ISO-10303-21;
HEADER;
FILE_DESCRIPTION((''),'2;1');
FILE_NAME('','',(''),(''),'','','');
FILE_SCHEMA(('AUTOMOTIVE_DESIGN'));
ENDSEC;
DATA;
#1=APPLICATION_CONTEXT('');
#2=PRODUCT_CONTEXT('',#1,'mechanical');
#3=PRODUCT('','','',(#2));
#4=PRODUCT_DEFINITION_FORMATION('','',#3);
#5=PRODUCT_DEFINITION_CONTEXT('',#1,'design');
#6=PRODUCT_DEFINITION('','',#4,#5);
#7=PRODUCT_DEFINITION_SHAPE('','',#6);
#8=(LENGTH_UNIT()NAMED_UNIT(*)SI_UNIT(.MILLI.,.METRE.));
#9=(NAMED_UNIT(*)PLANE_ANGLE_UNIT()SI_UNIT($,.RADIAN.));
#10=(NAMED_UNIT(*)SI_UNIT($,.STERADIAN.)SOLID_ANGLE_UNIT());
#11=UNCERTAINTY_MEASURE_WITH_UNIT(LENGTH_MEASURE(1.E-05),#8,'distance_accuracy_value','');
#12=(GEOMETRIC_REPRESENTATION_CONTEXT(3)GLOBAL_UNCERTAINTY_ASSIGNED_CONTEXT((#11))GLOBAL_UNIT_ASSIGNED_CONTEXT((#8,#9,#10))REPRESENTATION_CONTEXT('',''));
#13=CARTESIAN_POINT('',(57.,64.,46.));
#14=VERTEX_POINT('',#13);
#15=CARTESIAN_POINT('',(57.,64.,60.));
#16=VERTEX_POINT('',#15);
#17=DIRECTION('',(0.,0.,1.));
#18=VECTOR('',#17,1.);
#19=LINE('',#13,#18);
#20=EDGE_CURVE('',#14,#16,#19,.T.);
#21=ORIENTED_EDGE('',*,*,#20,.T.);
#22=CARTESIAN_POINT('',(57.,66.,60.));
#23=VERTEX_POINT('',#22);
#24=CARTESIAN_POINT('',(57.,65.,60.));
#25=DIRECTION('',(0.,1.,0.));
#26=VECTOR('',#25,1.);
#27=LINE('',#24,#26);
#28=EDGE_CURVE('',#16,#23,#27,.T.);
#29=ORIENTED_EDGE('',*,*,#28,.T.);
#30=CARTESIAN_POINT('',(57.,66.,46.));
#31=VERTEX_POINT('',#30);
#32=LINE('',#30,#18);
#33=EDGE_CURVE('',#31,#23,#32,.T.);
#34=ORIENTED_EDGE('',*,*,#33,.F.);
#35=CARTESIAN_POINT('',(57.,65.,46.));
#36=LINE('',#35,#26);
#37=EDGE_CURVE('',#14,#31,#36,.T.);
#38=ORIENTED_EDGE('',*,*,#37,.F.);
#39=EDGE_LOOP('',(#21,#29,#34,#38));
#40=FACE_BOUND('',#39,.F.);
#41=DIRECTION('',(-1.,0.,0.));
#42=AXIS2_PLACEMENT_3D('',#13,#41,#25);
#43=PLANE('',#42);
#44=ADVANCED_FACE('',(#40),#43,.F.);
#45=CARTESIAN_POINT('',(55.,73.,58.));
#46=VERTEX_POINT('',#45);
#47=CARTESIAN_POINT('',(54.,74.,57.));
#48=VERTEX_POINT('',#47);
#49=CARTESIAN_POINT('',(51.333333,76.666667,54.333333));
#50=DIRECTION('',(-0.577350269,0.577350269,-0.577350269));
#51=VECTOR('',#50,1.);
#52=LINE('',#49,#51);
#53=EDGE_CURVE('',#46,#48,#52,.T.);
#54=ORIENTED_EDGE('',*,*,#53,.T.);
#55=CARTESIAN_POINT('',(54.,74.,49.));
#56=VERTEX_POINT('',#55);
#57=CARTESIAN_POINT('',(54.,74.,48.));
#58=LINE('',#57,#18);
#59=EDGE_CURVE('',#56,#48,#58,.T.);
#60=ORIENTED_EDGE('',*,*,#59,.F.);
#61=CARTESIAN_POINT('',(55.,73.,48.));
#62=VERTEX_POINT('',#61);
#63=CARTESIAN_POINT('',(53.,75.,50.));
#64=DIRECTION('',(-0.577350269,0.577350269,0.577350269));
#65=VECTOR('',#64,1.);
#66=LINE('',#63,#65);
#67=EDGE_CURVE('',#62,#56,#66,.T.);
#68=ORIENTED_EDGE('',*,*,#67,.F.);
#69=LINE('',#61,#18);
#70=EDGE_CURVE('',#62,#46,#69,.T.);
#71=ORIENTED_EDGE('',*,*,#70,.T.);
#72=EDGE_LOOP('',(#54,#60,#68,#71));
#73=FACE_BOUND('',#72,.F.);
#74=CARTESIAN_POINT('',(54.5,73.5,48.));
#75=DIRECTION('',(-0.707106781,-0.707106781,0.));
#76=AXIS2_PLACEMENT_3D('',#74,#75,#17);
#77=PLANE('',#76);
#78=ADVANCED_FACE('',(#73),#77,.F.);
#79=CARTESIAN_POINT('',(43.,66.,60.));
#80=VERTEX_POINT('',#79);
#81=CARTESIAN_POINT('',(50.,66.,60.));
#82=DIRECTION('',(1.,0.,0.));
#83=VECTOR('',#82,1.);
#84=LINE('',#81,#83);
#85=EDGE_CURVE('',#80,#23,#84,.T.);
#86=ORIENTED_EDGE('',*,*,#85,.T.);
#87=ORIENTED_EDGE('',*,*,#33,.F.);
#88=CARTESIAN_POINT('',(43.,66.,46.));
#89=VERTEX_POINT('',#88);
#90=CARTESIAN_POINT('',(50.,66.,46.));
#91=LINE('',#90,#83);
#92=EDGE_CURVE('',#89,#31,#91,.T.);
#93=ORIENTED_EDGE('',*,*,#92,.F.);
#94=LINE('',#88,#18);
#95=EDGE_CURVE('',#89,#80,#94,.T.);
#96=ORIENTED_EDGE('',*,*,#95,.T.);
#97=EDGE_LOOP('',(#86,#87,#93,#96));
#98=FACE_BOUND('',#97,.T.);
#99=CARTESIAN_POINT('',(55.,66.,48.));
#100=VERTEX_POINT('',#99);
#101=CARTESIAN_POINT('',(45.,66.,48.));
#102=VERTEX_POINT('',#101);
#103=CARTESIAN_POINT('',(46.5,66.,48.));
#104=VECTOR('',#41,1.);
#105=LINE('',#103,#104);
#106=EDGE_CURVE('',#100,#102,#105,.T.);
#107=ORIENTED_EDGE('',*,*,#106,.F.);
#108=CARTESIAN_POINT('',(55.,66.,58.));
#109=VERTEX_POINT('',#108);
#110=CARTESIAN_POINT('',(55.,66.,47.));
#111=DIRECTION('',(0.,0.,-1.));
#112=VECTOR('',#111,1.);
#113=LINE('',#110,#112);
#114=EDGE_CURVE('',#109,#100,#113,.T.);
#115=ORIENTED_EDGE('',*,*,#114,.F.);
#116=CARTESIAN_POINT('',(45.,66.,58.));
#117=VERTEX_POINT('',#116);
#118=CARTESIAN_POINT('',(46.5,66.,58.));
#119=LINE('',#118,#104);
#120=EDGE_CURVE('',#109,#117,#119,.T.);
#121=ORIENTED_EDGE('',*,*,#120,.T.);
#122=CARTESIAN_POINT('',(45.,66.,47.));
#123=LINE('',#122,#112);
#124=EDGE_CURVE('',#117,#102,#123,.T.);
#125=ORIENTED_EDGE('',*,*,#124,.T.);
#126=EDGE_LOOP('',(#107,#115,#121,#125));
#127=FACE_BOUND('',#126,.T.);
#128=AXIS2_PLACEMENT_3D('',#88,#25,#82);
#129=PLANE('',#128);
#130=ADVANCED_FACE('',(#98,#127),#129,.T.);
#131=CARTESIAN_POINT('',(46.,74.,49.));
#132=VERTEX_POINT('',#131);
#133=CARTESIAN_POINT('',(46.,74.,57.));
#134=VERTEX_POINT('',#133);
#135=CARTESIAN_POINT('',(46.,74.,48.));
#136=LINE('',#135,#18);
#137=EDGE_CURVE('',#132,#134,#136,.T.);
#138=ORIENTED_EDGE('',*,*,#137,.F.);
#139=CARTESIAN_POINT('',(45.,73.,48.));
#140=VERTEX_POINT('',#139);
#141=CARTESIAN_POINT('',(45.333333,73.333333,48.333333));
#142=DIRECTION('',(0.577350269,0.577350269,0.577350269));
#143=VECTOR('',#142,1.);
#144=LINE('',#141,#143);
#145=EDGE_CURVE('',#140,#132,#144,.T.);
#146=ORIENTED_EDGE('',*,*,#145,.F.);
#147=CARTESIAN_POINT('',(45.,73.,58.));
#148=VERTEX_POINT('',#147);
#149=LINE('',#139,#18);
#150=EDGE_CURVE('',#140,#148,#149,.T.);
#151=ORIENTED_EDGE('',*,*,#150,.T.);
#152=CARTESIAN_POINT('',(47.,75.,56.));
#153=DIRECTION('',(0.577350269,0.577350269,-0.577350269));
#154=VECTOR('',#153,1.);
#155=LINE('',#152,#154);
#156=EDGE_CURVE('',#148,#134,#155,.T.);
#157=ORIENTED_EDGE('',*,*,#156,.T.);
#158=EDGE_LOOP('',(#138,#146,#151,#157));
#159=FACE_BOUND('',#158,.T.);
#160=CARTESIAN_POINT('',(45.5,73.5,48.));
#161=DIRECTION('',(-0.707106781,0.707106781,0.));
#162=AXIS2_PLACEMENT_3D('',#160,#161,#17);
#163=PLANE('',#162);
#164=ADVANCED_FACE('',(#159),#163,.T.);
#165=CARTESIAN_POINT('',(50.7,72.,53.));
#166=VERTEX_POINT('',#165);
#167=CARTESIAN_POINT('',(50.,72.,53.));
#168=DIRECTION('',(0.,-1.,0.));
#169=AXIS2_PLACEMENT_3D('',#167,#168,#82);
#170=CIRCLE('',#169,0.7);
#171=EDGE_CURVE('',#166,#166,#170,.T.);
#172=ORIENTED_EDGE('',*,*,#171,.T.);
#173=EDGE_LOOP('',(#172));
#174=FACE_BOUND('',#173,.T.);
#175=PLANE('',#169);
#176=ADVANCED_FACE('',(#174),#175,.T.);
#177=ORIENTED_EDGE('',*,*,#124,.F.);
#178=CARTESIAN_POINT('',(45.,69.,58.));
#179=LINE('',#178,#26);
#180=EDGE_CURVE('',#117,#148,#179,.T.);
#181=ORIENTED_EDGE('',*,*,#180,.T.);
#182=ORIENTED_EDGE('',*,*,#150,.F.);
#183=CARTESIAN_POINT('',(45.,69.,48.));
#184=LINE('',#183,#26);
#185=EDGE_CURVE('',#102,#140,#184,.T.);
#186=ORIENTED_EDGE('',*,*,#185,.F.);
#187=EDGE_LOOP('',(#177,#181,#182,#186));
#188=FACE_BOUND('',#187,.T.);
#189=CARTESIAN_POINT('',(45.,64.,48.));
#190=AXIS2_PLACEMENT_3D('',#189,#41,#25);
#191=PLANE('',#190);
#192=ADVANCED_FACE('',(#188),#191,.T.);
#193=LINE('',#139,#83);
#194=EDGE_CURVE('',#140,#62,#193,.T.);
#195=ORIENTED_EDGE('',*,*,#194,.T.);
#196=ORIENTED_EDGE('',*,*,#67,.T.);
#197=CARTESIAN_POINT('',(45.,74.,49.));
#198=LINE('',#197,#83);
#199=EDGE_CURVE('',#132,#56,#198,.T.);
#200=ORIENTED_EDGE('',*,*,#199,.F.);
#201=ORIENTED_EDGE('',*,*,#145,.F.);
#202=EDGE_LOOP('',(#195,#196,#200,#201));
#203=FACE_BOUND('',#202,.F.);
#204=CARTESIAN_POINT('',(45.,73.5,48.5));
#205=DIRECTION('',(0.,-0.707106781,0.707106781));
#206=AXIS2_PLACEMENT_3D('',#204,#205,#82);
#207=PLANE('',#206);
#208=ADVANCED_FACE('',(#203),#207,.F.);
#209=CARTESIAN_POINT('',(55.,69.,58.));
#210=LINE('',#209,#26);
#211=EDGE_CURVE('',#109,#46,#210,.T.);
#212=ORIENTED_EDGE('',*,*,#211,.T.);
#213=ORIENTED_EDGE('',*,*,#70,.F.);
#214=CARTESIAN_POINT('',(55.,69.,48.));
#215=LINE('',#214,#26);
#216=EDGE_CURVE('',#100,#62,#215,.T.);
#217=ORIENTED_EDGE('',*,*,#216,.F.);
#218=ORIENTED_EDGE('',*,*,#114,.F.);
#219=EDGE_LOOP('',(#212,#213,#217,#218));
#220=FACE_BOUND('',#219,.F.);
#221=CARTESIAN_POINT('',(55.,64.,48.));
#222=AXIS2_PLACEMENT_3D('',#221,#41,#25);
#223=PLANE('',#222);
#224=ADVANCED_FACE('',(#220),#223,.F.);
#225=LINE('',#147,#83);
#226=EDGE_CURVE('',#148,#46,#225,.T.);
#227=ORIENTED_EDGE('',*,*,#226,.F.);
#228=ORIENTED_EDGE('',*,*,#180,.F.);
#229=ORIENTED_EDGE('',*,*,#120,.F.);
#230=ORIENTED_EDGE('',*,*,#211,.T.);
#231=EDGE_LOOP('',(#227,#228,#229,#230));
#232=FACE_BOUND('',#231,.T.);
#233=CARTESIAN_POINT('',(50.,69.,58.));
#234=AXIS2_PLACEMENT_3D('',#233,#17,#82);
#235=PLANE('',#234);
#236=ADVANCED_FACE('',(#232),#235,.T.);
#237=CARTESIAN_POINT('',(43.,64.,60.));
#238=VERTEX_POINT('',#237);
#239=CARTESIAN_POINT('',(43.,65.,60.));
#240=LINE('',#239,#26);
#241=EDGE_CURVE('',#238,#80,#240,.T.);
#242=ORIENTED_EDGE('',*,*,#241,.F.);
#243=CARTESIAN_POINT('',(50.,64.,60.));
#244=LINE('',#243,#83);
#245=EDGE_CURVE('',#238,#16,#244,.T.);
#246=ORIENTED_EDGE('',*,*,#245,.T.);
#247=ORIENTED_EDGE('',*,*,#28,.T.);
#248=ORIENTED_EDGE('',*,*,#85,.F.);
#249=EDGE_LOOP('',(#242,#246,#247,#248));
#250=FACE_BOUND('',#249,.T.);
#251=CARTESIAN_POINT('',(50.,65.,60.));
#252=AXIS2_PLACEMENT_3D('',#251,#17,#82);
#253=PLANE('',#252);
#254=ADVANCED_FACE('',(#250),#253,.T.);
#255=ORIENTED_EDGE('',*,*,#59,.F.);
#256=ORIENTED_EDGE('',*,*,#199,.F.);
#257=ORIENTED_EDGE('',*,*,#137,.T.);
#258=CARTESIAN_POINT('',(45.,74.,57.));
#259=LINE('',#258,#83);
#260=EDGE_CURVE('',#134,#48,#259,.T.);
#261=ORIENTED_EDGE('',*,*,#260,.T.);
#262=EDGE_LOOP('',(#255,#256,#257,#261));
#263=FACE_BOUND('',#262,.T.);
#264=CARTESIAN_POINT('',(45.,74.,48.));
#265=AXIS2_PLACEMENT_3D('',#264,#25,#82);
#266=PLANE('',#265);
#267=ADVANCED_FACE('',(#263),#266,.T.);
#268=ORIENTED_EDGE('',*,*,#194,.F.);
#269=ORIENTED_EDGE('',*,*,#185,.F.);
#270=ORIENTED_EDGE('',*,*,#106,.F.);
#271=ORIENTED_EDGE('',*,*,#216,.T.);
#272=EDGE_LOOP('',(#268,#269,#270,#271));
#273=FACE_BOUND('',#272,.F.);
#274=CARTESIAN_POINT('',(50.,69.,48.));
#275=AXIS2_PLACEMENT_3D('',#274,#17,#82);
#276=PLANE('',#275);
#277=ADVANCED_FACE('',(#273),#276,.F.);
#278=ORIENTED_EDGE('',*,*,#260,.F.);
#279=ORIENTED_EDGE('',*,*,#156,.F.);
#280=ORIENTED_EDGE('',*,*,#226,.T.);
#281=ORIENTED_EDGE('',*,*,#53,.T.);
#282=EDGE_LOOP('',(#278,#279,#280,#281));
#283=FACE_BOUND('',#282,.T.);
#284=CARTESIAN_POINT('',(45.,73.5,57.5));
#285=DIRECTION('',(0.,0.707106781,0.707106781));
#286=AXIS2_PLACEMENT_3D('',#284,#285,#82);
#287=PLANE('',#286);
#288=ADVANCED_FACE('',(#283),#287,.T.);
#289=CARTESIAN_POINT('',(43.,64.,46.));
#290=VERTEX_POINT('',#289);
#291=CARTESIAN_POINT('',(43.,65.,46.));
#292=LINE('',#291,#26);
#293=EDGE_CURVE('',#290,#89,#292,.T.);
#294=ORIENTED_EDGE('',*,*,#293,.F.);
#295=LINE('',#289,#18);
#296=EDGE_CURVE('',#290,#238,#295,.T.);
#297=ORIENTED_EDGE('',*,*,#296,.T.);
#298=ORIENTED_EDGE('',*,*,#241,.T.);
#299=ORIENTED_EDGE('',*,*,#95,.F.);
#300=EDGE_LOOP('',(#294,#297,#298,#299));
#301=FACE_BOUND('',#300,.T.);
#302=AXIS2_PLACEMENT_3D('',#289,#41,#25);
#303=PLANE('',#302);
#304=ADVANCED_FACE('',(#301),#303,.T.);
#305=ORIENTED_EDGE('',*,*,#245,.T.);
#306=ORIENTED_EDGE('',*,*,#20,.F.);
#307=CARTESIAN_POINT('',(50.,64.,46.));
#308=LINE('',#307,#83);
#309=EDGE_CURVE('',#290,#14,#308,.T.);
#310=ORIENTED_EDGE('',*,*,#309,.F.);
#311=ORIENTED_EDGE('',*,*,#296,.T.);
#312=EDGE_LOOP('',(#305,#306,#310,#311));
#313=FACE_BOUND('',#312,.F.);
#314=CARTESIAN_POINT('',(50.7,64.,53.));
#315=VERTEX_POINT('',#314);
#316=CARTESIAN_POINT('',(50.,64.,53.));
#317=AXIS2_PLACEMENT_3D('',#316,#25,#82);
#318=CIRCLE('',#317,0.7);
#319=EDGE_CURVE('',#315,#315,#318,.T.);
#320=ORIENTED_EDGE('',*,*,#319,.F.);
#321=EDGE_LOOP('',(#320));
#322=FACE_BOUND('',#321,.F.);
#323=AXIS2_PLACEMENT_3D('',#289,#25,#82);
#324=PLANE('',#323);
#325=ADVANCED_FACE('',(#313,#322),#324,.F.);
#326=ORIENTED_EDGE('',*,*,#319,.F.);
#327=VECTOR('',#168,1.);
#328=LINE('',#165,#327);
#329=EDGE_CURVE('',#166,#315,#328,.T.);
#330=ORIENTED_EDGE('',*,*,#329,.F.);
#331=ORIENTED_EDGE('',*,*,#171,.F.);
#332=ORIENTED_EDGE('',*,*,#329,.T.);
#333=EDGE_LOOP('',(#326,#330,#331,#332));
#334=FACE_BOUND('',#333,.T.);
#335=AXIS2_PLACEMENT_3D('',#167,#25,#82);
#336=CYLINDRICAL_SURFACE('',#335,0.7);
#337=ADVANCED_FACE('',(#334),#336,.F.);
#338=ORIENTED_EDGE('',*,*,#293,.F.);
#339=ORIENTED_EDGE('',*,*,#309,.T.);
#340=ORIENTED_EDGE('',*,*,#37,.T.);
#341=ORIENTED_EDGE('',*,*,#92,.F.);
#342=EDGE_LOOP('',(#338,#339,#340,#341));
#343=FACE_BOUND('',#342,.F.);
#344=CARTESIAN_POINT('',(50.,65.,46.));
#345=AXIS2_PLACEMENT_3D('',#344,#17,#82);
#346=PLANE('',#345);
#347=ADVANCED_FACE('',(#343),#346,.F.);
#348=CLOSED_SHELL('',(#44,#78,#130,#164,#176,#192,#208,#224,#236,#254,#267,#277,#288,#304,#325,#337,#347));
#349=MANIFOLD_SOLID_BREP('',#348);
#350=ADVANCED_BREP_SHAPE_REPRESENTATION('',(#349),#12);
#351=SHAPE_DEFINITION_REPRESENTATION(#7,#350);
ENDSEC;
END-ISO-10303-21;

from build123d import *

# Parameters (mm, degrees)
CYLINDER041_R          = 0.7
CYLINDER041_DEPTH      = 10
CYLINDER041_ROLL_ANGLE = 90
BOX074_W               = 14
BOX074_H               = 2
BOX074_DEPTH           = 14
BOX073_W               = 10
BOX073_H               = 10
BOX073_DEPTH           = 10
CHAMFER008_SIZE        = 1


with BuildPart() as cylinder073:
    # Cylinder041 → Cylinder041 (new body)
    with BuildSketch(Plane.XY):
        Circle(CYLINDER041_R)
    extrude(amount=CYLINDER041_DEPTH)


with BuildPart() as cylinder073_1:
    # Cylinder041 roll: moved
    add(cylinder073.part.rotate(Axis((0, 0, 0), (1, 0, 0)), CYLINDER041_ROLL_ANGLE))


with BuildPart() as cylinder073_2:
    # Cylinder041 placement: moved
    add(cylinder073_1.part.moved(Location((50, 72, 53))))


with BuildPart() as cube073:
    # Box074 → Box074 (new body)
    with BuildSketch(Plane(origin=(-37, 0, 0), x_dir=(1, 0, 0), z_dir=(0, 0, 1))):
        with Locations((7, 1)):
            Rectangle(BOX074_W, BOX074_H)
    extrude(amount=BOX074_DEPTH)


with BuildPart() as cut086:
    # Box073 → Box073 (new body)
    with BuildSketch(Plane(origin=(-35, 0, 2), x_dir=(1, 0, 0), z_dir=(0, 0, 1))):
        with Locations((5, 5)):
            Rectangle(BOX073_W, BOX073_H)
    extrude(amount=BOX073_DEPTH)

    # Fusion023: union Cube073
    add(cube073.part)


with BuildPart() as cut086_1:
    # Fusion023 placement: moved
    add(cut086.part.moved(Location((80, 64, 46))))

    # Chamfer008
    chamfer008_edges = [cut086_1.edges().sort_by_distance(p)[0] for p in [
        (45, 74, 53),
        (50, 74, 48),
        (55, 74, 53),
        (50, 74, 58),
    ]]
    chamfer(chamfer008_edges, length=CHAMFER008_SIZE)

    # Cut086: cut Cylinder073
    add(cylinder073_2.part, mode=Mode.SUBTRACT)


solid = cut086_1.part
